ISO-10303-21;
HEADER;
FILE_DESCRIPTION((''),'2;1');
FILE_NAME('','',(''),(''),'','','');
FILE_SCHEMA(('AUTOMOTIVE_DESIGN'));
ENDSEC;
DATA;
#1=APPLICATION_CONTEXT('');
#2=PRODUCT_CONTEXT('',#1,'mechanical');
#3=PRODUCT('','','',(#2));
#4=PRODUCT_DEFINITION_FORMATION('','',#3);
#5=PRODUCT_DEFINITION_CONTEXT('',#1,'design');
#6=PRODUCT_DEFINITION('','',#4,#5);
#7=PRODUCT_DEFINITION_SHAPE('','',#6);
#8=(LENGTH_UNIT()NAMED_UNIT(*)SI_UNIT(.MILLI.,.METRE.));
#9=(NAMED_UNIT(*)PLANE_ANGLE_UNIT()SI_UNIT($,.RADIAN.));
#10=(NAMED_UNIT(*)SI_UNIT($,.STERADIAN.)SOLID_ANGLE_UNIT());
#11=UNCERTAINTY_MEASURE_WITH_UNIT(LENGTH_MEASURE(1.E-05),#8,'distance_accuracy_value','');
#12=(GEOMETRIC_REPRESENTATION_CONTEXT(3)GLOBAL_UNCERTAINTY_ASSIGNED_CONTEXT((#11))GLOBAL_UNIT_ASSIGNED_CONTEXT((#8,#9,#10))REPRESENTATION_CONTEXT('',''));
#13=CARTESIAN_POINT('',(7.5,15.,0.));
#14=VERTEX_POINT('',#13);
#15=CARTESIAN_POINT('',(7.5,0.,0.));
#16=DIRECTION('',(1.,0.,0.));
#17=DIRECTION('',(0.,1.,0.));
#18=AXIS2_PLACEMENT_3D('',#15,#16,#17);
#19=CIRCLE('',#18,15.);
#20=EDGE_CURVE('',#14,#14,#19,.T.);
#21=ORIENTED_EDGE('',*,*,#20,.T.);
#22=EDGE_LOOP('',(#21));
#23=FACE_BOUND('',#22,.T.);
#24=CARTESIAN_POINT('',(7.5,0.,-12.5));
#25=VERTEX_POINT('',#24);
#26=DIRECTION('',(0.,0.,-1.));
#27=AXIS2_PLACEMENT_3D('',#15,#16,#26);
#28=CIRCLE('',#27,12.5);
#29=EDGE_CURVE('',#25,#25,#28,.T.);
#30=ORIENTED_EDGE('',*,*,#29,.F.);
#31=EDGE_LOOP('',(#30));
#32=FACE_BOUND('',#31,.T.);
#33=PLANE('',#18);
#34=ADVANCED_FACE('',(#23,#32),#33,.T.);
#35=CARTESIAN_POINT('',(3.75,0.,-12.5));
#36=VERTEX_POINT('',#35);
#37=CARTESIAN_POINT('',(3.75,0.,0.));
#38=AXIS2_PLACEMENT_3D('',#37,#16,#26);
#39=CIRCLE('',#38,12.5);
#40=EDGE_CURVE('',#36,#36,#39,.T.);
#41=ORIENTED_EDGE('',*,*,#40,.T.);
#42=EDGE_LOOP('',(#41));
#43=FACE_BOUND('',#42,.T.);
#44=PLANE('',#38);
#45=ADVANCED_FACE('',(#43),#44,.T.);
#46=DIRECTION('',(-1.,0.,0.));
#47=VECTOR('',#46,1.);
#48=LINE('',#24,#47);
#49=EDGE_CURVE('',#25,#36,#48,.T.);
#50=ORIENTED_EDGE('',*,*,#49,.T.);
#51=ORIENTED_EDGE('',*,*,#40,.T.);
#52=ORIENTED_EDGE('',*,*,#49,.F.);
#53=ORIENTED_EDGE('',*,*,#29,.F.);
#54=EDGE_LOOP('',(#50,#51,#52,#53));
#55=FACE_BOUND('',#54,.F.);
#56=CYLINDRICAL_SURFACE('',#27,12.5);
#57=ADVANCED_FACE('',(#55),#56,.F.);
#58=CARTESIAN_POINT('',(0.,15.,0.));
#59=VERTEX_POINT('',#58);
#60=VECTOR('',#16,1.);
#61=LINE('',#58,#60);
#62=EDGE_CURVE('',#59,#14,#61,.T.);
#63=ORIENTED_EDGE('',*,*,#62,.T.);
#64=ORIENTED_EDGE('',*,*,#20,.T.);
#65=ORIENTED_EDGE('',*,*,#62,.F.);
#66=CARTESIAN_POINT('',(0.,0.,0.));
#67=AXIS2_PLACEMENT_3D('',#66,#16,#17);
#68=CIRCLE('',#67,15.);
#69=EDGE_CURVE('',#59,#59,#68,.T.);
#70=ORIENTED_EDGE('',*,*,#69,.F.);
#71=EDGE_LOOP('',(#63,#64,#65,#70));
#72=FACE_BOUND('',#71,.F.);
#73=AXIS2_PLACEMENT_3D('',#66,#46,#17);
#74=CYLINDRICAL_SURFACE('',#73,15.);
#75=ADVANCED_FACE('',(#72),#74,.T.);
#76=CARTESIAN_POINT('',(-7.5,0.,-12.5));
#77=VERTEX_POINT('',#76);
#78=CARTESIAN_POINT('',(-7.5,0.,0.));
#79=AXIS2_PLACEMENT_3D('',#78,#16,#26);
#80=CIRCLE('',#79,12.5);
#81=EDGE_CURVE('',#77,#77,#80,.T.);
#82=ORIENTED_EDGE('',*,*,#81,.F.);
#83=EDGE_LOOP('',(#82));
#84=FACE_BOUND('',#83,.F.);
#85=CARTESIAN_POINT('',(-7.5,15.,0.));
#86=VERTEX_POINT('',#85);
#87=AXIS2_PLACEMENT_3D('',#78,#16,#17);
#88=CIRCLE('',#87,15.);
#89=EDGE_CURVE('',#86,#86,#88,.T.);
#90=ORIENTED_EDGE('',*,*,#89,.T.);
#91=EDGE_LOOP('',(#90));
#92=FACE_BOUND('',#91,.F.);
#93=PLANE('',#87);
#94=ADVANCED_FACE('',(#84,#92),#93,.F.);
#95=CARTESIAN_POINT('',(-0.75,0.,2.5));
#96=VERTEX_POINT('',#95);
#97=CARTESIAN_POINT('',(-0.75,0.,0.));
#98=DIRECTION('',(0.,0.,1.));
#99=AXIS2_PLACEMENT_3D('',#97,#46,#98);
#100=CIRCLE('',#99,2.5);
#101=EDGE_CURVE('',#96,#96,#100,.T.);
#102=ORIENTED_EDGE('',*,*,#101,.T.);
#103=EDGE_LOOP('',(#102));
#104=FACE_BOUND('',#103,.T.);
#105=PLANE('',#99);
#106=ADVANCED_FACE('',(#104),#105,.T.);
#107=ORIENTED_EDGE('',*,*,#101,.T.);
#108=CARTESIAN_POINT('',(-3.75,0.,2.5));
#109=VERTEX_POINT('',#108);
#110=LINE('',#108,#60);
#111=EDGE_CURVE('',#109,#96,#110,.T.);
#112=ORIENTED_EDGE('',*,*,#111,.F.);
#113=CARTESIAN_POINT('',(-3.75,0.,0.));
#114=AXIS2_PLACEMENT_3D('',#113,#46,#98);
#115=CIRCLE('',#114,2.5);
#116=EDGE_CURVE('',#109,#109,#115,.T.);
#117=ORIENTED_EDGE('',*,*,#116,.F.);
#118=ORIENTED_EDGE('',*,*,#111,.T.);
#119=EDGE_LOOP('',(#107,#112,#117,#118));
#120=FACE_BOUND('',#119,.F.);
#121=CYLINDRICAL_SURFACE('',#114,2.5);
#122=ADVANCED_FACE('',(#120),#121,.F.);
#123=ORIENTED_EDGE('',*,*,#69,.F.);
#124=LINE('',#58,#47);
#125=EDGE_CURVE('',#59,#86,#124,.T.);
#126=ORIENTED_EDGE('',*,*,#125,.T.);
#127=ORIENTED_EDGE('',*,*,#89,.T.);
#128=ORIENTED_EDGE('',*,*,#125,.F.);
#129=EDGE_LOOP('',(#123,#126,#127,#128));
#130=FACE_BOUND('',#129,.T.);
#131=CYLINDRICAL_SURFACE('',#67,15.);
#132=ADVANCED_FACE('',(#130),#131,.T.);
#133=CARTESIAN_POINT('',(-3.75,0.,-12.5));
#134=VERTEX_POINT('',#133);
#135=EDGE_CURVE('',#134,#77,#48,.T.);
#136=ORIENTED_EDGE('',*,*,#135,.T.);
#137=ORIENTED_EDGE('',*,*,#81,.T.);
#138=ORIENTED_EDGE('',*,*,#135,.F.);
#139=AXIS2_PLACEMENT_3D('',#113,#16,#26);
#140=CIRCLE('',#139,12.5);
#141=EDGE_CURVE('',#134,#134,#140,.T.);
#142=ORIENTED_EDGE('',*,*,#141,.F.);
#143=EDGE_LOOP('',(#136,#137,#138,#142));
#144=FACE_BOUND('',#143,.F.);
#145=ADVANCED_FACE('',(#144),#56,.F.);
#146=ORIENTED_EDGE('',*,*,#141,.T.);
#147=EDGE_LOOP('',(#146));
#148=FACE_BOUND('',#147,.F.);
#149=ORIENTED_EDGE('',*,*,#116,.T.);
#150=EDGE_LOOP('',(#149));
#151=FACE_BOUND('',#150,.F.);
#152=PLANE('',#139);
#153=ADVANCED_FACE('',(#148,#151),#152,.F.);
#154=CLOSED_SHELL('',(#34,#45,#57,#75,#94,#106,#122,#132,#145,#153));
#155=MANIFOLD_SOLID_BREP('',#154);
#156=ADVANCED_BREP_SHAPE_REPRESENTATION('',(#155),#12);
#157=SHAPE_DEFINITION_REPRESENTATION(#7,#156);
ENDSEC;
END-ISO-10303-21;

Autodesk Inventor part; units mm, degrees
ref_plane "YZ Plane" through (0, 0, 0) normal (1, 0, 0) x (0, 1, 0)
ref_plane "XZ Plane" through (0, 0, 0) normal (0, 1, 0) x (-1, 0, 0)
ref_plane "XY Plane" through (0, 0, 0) normal (0, 0, 1) x (1, 0, 0)
sketch "Esboço1" plane through (0, 0, 0) normal (1, 0, 0) x (0, 1, 0)
  circle A0 centre (0, 0) radius 15
  dimension "d0" = 30
extrude "Extrusão1" add sketch "Esboço1" along normal mid plane 15
sketch "Esboço2" plane through (7.5, 0, 0) normal (1, 0, 0) x (0, 0, -1)
  circle A0 centre (0, 0) radius 12.5
  dimension "d3" = 25
extrude "Extrusão2" cut sketch "Esboço2" along normal through all both and the other way through all
ref_plane "Plano de trabalho1" through (0, 0, 0) normal (1, 0, 0) x (0, 0, -1)
sketch "Esboço3" plane through (0, 0, 0) normal (1, 0, 0) x (0, 0, -1)
  circle A0 centre (0, 0) radius 13.75
  dimension "d6" = 27.5
extrude "Extrusão3" add sketch "Esboço3" along normal mid plane 7.5
sketch "Esboço4" plane through (-3.75, 0, 0) normal (-1, 0, 0) x (0, 0, 1)
  circle A0 centre (0, 0) radius 2.5
  dimension "d9" = 5
extrude "Extrusão4" cut sketch "Esboço4" against normal blind 3
properties part number "RodaG" material "Borracha"
